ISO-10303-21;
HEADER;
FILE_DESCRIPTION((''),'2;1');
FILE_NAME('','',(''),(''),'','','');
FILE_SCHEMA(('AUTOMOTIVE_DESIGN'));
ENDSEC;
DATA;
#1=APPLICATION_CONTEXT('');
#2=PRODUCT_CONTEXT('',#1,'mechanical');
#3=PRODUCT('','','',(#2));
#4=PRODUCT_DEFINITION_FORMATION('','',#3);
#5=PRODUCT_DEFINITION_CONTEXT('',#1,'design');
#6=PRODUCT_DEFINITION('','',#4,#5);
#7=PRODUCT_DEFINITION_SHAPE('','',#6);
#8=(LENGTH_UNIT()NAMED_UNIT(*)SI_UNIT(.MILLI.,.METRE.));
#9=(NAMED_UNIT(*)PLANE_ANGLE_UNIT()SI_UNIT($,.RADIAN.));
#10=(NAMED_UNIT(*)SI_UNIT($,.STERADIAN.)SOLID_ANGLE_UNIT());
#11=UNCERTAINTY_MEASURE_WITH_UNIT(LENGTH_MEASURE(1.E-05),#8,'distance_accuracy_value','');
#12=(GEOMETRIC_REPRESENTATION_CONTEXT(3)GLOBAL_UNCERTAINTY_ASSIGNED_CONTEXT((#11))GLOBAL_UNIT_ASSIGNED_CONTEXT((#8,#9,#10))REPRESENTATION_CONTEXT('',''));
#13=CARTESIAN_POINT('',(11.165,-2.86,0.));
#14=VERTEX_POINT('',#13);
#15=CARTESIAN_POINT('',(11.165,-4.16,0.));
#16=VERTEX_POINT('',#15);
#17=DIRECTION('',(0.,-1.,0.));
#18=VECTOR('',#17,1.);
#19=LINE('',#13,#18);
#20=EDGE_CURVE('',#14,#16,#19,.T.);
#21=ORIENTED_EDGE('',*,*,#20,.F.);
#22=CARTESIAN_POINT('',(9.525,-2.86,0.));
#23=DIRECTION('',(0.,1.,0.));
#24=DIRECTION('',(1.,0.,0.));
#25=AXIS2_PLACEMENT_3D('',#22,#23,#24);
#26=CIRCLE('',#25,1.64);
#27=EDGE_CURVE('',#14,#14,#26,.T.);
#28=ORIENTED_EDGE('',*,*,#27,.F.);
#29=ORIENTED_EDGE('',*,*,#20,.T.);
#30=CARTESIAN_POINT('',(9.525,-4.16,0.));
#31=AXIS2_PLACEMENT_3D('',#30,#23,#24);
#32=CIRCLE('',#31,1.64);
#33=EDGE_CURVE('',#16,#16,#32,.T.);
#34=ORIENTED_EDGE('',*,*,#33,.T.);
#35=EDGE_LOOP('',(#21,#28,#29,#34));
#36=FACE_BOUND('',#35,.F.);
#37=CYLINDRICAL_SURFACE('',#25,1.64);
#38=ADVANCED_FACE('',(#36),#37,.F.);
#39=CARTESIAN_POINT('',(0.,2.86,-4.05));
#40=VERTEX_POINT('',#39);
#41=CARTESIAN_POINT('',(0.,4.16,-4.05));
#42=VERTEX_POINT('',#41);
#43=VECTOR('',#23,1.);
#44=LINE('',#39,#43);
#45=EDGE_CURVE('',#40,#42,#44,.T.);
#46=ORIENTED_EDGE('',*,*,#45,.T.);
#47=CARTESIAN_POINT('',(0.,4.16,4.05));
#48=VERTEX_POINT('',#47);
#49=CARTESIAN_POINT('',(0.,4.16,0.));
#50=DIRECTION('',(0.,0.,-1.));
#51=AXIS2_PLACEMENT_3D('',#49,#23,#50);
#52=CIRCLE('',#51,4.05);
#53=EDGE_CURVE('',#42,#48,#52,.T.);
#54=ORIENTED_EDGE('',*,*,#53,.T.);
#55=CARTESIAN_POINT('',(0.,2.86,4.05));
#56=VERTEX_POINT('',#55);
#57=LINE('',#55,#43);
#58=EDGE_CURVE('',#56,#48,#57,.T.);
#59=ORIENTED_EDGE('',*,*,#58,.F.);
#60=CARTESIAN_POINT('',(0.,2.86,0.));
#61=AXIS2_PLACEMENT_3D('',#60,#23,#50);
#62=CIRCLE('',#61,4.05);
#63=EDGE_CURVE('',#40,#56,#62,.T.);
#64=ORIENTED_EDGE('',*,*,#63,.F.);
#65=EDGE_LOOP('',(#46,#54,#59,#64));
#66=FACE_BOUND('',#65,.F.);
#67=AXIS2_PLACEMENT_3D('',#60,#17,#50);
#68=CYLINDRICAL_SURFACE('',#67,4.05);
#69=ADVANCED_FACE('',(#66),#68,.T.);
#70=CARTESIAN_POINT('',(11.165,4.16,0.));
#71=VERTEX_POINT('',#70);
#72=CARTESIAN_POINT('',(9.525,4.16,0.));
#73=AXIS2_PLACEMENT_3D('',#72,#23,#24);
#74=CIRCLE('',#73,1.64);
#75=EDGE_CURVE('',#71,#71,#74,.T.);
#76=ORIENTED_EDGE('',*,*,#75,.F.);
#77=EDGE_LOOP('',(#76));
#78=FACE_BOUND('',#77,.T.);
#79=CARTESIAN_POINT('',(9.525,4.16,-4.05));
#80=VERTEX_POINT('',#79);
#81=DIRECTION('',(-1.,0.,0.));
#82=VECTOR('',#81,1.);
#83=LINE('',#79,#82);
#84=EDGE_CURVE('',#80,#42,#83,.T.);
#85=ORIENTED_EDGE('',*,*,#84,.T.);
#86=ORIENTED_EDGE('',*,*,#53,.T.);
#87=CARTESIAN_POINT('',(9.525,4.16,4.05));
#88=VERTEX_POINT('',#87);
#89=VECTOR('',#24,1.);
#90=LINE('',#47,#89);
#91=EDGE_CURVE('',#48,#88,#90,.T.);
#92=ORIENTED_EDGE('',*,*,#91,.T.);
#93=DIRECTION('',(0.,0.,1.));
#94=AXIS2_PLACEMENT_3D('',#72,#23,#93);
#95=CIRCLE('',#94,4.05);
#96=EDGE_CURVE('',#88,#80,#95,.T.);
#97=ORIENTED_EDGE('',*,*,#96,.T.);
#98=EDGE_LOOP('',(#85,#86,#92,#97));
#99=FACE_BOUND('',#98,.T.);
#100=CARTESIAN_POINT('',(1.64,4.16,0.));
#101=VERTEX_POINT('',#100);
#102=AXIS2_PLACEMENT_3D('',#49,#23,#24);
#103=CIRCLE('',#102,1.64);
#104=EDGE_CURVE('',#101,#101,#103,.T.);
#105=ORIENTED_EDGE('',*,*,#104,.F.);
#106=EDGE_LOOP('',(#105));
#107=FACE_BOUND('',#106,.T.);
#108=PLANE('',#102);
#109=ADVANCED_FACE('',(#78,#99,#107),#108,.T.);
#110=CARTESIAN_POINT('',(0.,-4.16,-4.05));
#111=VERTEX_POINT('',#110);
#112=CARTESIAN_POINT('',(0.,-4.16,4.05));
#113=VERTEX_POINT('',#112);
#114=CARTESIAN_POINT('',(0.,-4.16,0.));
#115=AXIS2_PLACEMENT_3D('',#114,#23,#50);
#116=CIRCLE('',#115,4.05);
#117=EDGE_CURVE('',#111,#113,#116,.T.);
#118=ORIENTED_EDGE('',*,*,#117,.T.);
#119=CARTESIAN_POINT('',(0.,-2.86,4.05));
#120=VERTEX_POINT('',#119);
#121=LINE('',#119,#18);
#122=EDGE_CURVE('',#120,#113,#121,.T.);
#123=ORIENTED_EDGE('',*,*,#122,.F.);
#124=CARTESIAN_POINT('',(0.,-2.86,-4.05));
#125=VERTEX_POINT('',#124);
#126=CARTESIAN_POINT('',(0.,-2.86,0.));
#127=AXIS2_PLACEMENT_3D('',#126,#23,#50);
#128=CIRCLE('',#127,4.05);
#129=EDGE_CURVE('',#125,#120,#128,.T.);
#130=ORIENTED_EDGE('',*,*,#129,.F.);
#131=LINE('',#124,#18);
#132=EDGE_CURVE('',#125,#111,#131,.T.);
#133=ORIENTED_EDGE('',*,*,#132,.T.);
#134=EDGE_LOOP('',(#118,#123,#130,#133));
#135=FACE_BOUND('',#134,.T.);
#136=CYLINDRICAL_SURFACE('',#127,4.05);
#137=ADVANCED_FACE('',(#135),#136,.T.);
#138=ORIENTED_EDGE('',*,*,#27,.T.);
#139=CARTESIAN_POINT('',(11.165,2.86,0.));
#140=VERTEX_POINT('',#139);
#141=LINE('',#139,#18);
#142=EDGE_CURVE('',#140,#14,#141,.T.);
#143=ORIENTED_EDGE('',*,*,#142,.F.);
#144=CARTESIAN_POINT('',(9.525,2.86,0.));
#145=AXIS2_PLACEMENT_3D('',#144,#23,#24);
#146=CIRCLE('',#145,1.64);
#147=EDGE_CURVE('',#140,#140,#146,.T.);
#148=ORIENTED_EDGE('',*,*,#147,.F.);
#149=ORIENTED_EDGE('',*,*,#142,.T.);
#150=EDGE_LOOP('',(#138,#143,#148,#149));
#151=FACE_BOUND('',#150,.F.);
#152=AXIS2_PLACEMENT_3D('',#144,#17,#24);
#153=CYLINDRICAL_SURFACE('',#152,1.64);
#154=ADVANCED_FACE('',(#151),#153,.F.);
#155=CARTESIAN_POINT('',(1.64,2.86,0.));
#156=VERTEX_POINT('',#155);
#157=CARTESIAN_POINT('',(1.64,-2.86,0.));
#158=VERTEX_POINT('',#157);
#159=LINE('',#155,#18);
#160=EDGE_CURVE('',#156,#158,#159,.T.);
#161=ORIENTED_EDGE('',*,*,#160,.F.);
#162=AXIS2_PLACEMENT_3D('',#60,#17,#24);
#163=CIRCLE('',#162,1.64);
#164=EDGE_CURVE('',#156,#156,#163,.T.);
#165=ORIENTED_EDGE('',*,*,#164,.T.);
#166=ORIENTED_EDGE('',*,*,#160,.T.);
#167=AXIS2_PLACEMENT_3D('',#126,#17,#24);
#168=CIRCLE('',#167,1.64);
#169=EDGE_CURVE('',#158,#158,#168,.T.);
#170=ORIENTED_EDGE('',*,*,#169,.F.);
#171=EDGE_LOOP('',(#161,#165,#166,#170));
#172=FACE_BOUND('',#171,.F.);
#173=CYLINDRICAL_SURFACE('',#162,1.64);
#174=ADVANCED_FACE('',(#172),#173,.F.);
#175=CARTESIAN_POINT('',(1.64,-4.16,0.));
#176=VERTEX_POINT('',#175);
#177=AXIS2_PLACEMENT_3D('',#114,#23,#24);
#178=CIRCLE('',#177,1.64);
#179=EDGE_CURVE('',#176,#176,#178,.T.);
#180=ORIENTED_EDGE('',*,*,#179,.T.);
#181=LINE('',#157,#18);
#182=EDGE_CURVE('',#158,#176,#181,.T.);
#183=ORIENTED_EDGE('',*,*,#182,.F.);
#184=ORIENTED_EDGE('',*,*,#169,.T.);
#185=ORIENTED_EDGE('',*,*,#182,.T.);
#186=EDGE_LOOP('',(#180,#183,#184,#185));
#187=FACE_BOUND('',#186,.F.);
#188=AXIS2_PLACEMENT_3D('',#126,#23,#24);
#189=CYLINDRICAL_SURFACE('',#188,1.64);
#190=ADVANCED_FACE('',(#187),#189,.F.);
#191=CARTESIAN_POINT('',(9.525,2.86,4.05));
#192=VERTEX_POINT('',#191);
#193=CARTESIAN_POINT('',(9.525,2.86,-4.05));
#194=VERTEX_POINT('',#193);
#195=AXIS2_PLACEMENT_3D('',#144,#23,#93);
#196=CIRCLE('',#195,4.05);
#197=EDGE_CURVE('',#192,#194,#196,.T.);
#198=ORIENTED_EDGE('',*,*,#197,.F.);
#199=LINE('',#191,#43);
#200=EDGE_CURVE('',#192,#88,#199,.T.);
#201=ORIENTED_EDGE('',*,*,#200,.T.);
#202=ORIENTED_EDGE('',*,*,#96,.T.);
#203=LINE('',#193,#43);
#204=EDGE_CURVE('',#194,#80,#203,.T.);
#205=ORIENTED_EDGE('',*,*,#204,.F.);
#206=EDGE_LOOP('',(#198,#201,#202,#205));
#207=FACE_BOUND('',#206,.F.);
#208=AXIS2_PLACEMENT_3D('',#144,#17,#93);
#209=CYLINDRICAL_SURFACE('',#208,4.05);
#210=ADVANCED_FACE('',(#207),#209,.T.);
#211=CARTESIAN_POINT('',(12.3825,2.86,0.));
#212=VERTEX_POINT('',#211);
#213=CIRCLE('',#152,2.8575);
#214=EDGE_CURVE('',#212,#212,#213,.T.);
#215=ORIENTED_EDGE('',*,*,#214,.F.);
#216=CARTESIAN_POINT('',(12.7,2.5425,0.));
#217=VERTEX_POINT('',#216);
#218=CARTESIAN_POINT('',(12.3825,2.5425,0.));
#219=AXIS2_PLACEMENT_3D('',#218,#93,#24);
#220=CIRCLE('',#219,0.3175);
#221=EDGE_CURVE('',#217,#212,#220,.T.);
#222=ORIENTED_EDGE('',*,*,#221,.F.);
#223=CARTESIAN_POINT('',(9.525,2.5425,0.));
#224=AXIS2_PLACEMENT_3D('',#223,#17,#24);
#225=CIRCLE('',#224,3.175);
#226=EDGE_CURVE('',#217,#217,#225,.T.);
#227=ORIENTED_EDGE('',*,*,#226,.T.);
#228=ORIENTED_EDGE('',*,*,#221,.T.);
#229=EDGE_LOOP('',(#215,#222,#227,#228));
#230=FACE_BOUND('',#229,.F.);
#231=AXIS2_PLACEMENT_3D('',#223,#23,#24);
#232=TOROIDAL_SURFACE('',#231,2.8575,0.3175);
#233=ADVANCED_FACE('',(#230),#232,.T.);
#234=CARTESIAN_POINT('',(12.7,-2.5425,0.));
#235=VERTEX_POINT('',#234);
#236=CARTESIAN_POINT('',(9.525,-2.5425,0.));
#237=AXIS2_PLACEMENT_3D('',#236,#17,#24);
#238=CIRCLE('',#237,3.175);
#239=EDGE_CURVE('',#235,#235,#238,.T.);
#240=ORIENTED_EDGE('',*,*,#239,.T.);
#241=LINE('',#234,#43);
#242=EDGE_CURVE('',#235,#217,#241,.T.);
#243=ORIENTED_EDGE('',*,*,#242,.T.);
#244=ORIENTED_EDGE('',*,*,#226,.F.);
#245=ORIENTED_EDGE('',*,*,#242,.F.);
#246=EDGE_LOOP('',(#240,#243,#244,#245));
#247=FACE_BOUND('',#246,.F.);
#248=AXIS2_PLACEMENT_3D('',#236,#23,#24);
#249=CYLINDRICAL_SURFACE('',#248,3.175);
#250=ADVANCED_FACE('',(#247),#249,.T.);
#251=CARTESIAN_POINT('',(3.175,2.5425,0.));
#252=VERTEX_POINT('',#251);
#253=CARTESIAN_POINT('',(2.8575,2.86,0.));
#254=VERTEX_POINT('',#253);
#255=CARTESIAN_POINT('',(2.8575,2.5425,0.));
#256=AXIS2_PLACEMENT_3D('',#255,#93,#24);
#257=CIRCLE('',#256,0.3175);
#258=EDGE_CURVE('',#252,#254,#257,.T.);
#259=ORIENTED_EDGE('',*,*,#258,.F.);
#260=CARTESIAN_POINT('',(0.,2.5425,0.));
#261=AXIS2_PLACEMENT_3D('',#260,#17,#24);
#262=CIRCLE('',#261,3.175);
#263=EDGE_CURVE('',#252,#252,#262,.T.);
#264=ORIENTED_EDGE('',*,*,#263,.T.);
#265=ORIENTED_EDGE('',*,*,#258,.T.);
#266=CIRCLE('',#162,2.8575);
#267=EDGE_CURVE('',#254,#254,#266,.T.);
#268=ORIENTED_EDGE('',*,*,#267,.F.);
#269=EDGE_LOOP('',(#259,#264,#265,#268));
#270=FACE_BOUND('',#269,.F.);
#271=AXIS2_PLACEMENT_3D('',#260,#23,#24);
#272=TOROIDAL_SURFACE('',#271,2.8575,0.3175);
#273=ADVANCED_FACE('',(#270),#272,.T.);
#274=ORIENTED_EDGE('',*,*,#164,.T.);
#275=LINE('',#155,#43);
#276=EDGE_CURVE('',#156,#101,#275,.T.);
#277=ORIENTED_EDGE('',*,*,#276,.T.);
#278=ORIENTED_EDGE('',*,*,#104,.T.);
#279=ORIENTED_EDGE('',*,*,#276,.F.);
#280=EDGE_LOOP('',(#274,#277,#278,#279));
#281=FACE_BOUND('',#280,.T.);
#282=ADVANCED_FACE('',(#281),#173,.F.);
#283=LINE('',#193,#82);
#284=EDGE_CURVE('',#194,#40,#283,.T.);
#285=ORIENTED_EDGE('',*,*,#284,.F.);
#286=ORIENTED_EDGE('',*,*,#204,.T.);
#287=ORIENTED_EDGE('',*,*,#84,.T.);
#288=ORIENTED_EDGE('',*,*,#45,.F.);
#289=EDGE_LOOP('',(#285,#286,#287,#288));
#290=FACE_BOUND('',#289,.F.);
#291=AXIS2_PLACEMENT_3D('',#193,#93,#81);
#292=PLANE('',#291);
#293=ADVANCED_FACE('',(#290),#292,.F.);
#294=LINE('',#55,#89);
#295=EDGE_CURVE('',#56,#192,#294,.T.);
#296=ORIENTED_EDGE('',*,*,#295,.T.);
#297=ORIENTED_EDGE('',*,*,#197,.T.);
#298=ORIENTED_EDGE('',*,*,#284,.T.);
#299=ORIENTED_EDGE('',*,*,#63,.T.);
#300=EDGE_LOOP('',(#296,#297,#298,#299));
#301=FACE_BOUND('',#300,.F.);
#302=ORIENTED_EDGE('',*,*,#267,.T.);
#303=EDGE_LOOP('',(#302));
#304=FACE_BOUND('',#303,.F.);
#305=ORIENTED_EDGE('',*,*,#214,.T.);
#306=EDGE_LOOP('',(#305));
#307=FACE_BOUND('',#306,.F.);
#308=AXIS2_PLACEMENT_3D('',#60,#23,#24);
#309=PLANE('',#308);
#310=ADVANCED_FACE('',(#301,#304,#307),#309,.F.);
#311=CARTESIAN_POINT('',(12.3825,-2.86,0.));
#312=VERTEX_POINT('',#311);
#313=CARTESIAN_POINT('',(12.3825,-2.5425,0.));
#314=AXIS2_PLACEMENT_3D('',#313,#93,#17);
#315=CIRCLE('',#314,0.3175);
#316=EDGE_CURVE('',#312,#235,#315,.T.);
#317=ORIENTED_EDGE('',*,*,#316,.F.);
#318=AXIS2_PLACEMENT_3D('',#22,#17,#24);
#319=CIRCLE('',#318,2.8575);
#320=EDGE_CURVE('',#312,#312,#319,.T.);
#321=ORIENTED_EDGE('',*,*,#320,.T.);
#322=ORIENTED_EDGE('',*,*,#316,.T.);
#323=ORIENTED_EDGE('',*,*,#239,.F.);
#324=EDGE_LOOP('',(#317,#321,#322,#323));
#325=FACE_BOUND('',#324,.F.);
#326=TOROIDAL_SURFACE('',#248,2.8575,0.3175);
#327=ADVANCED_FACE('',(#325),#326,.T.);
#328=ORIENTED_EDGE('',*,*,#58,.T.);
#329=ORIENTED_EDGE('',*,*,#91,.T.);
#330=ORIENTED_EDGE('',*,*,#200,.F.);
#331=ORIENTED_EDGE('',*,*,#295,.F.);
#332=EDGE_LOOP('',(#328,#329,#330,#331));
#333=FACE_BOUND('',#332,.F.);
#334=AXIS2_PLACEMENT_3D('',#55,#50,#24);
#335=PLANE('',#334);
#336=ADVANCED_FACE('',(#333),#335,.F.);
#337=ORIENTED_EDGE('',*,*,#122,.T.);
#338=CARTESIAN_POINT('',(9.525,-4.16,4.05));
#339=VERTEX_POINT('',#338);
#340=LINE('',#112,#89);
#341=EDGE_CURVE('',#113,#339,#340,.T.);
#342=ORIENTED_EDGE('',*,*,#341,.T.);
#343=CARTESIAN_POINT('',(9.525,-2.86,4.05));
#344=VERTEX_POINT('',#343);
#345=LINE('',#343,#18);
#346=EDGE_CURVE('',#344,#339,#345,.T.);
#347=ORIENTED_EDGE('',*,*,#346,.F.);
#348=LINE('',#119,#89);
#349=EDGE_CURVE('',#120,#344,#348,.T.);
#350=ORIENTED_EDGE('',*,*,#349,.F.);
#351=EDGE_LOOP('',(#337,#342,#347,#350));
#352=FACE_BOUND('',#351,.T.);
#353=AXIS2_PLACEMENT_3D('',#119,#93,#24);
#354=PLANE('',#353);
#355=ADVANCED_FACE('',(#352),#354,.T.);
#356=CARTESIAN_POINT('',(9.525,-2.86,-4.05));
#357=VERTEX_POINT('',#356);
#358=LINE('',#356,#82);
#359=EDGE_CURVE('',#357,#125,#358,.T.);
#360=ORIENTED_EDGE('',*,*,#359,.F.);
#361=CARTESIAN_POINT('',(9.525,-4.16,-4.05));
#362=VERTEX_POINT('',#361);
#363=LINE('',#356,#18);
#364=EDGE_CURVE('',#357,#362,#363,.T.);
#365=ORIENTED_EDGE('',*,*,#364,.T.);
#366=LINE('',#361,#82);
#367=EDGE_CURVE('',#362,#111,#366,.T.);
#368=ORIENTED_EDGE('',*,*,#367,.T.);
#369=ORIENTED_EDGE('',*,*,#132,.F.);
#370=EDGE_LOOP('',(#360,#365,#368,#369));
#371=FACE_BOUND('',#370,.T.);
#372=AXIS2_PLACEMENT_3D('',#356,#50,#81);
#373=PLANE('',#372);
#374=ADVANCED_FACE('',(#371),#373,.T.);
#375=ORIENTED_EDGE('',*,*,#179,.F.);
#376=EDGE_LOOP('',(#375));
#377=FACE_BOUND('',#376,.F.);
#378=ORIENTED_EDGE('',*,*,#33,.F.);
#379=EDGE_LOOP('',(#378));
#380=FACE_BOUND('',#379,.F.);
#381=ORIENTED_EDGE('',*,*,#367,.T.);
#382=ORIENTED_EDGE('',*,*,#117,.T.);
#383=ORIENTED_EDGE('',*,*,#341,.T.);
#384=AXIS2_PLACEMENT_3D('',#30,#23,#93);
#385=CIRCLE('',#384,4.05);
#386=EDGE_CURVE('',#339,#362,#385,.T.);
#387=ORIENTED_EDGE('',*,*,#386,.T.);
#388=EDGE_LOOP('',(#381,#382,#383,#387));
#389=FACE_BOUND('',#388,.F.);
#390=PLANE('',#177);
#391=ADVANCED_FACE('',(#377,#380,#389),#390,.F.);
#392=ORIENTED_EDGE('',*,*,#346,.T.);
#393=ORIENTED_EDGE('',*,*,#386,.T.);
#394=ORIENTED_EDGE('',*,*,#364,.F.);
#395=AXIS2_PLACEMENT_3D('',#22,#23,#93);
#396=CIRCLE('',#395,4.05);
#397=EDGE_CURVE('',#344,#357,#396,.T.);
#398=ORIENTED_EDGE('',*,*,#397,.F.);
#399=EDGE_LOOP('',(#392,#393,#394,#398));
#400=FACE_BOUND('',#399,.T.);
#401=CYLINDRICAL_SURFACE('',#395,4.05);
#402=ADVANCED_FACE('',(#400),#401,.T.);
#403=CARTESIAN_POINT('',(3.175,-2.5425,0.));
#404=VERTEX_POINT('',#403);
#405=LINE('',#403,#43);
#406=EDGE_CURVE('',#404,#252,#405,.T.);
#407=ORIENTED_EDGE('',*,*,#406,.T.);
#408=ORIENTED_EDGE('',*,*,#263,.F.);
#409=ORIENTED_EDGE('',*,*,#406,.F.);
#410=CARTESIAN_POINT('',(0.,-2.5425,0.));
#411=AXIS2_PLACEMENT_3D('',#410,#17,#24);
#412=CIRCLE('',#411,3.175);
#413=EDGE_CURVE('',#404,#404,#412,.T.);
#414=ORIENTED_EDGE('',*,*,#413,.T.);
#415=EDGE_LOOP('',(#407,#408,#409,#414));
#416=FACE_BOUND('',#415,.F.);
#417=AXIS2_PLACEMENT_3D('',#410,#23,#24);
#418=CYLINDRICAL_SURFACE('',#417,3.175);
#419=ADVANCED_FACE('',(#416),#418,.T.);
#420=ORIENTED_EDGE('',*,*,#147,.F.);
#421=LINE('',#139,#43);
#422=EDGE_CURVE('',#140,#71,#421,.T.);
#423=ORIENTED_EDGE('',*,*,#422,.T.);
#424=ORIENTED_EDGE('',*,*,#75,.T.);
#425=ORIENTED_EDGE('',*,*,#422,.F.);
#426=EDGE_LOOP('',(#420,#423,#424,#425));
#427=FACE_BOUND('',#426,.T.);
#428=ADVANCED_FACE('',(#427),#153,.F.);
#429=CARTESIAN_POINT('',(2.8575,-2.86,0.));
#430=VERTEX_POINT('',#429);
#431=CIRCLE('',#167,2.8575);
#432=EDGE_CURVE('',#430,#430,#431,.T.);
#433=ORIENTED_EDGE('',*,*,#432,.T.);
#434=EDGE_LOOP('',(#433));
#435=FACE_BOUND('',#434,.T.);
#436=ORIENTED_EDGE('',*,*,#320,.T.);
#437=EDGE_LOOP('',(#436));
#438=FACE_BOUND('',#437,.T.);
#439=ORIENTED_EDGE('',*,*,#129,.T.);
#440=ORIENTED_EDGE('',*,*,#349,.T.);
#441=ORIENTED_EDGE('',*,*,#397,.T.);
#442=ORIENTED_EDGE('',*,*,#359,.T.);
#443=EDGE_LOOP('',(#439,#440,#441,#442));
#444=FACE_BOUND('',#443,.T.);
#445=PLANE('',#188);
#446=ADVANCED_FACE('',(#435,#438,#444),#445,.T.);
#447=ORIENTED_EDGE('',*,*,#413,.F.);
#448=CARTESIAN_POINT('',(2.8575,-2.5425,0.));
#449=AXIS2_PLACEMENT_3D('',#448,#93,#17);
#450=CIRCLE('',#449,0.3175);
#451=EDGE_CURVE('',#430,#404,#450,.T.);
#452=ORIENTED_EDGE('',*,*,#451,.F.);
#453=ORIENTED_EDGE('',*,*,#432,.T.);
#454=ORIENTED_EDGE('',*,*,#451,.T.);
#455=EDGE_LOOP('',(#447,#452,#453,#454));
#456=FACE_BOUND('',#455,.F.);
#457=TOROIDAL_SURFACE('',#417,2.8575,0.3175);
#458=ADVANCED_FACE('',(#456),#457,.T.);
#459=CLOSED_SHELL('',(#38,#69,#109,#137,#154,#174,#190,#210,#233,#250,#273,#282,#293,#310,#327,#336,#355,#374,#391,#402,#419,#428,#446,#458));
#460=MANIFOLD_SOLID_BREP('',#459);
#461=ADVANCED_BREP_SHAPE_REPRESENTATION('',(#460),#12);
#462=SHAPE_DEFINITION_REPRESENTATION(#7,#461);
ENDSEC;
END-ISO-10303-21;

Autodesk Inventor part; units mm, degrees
sketch "Sketch_2" plane through (0, 0, 0) normal (0, 0, 1) x (1, 0, 0)
  line L0 (0, -2.86) -> (0, 2.86)
  line L1 (1.64, 2.86) -> (1.64, -2.86)
  line L2 (1.64, -2.86) -> (2.8575, -2.86)
  arc A0 (2.8575, -2.86) -> (3.175, -2.5425) centre (2.8575, -2.5425) ccw
  line L3 (3.175, -2.5425) -> (3.175, 2.5425)
  arc A1 (3.175, 2.5425) -> (2.8575, 2.86) centre (2.8575, 2.5425) ccw
  line L4 (2.8575, 2.86) -> (1.64, 2.86)
revolve "Revolution1" add sketch "Sketch_2" angle 360 about axis through (0, -2.86, 0) along (0, -1, 0)
sketch "Sketch_5" plane through (0, 2.86, 0) normal (0, 1, 0) x (1, 0, 0)
  arc A0 (0, 4.05) -> (0, -4.05) centre (0, 0) ccw
  line L0 (0, -4.05) -> (9.525, -4.05)
  arc A1 (9.525, -4.05) -> (9.525, 4.05) centre (9.525, 0) ccw
  line L1 (9.525, 4.05) -> (0, 4.05)
  circle A2 centre (9.525, 0) radius 1.64
  circle A3 centre (0, 0) radius 1.64
extrude "Extrusion1" add sketch "Sketch_5" along normal blind 1.3
sketch "Sketch_6" plane through (0, -2.86, 0) normal (0, 1, 0) x (1, 0, 0)
  arc A0 (0, 4.05) -> (0, -4.05) centre (0, 0) ccw
  line L0 (0, -4.05) -> (9.525, -4.05)
  arc A1 (9.525, -4.05) -> (9.525, 4.05) centre (9.525, 0) ccw
  line L1 (9.525, 4.05) -> (0, 4.05)
  circle A2 centre (9.525, 0) radius 1.64
  circle A3 centre (0, 0) radius 1.64
extrude "Extrusion2" add sketch "Sketch_6" against normal blind 1.3
sketch "Sketch_8" plane through (0, 0, 0) normal (0, 0, 1) x (1, 0, 0)
  line L0 (9.525, -2.86) -> (9.525, 2.86)
  line L1 (11.165, 2.86) -> (11.165, -2.86)
  line L2 (11.165, -2.86) -> (12.3825, -2.86)
  arc A0 (12.3825, -2.86) -> (12.7, -2.5425) centre (12.3825, -2.5425) ccw
  line L3 (12.7, -2.5425) -> (12.7, 2.5425)
  arc A1 (12.7, 2.5425) -> (12.3825, 2.86) centre (12.3825, 2.5425) ccw
  line L4 (12.3825, 2.86) -> (11.165, 2.86)
revolve "Revolution2" add sketch "Sketch_8" angle 360 about axis through (9.525, -2.86, 0) along (0, -1, 0)
ref_plane "for_body1_a_XY" through (9.525, 0, 0) normal (0, 1, 0) x (1, 0, 0)
ref_plane "for_body1_a_YZ" through (9.525, 0, 0) normal (1, 0, 0) x (0, 0, -1)
ref_plane "for_body1_a_ZX" through (9.525, 0, 0) normal (0, 0, -1) x (0, 1, 0)
ref_plane "to_dummy_XY" through (0, 0, 0) normal (0, 1, 0) x (1, 0, 0)
ref_plane "to_dummy_YZ" through (0, 0, 0) normal (1, 0, 0) x (0, 0, -1)
ref_plane "to_dummy_ZX" through (0, 0, 0) normal (0, 0, -1) x (0, 1, 0)
properties part number "06B - 1 RP - Body"
